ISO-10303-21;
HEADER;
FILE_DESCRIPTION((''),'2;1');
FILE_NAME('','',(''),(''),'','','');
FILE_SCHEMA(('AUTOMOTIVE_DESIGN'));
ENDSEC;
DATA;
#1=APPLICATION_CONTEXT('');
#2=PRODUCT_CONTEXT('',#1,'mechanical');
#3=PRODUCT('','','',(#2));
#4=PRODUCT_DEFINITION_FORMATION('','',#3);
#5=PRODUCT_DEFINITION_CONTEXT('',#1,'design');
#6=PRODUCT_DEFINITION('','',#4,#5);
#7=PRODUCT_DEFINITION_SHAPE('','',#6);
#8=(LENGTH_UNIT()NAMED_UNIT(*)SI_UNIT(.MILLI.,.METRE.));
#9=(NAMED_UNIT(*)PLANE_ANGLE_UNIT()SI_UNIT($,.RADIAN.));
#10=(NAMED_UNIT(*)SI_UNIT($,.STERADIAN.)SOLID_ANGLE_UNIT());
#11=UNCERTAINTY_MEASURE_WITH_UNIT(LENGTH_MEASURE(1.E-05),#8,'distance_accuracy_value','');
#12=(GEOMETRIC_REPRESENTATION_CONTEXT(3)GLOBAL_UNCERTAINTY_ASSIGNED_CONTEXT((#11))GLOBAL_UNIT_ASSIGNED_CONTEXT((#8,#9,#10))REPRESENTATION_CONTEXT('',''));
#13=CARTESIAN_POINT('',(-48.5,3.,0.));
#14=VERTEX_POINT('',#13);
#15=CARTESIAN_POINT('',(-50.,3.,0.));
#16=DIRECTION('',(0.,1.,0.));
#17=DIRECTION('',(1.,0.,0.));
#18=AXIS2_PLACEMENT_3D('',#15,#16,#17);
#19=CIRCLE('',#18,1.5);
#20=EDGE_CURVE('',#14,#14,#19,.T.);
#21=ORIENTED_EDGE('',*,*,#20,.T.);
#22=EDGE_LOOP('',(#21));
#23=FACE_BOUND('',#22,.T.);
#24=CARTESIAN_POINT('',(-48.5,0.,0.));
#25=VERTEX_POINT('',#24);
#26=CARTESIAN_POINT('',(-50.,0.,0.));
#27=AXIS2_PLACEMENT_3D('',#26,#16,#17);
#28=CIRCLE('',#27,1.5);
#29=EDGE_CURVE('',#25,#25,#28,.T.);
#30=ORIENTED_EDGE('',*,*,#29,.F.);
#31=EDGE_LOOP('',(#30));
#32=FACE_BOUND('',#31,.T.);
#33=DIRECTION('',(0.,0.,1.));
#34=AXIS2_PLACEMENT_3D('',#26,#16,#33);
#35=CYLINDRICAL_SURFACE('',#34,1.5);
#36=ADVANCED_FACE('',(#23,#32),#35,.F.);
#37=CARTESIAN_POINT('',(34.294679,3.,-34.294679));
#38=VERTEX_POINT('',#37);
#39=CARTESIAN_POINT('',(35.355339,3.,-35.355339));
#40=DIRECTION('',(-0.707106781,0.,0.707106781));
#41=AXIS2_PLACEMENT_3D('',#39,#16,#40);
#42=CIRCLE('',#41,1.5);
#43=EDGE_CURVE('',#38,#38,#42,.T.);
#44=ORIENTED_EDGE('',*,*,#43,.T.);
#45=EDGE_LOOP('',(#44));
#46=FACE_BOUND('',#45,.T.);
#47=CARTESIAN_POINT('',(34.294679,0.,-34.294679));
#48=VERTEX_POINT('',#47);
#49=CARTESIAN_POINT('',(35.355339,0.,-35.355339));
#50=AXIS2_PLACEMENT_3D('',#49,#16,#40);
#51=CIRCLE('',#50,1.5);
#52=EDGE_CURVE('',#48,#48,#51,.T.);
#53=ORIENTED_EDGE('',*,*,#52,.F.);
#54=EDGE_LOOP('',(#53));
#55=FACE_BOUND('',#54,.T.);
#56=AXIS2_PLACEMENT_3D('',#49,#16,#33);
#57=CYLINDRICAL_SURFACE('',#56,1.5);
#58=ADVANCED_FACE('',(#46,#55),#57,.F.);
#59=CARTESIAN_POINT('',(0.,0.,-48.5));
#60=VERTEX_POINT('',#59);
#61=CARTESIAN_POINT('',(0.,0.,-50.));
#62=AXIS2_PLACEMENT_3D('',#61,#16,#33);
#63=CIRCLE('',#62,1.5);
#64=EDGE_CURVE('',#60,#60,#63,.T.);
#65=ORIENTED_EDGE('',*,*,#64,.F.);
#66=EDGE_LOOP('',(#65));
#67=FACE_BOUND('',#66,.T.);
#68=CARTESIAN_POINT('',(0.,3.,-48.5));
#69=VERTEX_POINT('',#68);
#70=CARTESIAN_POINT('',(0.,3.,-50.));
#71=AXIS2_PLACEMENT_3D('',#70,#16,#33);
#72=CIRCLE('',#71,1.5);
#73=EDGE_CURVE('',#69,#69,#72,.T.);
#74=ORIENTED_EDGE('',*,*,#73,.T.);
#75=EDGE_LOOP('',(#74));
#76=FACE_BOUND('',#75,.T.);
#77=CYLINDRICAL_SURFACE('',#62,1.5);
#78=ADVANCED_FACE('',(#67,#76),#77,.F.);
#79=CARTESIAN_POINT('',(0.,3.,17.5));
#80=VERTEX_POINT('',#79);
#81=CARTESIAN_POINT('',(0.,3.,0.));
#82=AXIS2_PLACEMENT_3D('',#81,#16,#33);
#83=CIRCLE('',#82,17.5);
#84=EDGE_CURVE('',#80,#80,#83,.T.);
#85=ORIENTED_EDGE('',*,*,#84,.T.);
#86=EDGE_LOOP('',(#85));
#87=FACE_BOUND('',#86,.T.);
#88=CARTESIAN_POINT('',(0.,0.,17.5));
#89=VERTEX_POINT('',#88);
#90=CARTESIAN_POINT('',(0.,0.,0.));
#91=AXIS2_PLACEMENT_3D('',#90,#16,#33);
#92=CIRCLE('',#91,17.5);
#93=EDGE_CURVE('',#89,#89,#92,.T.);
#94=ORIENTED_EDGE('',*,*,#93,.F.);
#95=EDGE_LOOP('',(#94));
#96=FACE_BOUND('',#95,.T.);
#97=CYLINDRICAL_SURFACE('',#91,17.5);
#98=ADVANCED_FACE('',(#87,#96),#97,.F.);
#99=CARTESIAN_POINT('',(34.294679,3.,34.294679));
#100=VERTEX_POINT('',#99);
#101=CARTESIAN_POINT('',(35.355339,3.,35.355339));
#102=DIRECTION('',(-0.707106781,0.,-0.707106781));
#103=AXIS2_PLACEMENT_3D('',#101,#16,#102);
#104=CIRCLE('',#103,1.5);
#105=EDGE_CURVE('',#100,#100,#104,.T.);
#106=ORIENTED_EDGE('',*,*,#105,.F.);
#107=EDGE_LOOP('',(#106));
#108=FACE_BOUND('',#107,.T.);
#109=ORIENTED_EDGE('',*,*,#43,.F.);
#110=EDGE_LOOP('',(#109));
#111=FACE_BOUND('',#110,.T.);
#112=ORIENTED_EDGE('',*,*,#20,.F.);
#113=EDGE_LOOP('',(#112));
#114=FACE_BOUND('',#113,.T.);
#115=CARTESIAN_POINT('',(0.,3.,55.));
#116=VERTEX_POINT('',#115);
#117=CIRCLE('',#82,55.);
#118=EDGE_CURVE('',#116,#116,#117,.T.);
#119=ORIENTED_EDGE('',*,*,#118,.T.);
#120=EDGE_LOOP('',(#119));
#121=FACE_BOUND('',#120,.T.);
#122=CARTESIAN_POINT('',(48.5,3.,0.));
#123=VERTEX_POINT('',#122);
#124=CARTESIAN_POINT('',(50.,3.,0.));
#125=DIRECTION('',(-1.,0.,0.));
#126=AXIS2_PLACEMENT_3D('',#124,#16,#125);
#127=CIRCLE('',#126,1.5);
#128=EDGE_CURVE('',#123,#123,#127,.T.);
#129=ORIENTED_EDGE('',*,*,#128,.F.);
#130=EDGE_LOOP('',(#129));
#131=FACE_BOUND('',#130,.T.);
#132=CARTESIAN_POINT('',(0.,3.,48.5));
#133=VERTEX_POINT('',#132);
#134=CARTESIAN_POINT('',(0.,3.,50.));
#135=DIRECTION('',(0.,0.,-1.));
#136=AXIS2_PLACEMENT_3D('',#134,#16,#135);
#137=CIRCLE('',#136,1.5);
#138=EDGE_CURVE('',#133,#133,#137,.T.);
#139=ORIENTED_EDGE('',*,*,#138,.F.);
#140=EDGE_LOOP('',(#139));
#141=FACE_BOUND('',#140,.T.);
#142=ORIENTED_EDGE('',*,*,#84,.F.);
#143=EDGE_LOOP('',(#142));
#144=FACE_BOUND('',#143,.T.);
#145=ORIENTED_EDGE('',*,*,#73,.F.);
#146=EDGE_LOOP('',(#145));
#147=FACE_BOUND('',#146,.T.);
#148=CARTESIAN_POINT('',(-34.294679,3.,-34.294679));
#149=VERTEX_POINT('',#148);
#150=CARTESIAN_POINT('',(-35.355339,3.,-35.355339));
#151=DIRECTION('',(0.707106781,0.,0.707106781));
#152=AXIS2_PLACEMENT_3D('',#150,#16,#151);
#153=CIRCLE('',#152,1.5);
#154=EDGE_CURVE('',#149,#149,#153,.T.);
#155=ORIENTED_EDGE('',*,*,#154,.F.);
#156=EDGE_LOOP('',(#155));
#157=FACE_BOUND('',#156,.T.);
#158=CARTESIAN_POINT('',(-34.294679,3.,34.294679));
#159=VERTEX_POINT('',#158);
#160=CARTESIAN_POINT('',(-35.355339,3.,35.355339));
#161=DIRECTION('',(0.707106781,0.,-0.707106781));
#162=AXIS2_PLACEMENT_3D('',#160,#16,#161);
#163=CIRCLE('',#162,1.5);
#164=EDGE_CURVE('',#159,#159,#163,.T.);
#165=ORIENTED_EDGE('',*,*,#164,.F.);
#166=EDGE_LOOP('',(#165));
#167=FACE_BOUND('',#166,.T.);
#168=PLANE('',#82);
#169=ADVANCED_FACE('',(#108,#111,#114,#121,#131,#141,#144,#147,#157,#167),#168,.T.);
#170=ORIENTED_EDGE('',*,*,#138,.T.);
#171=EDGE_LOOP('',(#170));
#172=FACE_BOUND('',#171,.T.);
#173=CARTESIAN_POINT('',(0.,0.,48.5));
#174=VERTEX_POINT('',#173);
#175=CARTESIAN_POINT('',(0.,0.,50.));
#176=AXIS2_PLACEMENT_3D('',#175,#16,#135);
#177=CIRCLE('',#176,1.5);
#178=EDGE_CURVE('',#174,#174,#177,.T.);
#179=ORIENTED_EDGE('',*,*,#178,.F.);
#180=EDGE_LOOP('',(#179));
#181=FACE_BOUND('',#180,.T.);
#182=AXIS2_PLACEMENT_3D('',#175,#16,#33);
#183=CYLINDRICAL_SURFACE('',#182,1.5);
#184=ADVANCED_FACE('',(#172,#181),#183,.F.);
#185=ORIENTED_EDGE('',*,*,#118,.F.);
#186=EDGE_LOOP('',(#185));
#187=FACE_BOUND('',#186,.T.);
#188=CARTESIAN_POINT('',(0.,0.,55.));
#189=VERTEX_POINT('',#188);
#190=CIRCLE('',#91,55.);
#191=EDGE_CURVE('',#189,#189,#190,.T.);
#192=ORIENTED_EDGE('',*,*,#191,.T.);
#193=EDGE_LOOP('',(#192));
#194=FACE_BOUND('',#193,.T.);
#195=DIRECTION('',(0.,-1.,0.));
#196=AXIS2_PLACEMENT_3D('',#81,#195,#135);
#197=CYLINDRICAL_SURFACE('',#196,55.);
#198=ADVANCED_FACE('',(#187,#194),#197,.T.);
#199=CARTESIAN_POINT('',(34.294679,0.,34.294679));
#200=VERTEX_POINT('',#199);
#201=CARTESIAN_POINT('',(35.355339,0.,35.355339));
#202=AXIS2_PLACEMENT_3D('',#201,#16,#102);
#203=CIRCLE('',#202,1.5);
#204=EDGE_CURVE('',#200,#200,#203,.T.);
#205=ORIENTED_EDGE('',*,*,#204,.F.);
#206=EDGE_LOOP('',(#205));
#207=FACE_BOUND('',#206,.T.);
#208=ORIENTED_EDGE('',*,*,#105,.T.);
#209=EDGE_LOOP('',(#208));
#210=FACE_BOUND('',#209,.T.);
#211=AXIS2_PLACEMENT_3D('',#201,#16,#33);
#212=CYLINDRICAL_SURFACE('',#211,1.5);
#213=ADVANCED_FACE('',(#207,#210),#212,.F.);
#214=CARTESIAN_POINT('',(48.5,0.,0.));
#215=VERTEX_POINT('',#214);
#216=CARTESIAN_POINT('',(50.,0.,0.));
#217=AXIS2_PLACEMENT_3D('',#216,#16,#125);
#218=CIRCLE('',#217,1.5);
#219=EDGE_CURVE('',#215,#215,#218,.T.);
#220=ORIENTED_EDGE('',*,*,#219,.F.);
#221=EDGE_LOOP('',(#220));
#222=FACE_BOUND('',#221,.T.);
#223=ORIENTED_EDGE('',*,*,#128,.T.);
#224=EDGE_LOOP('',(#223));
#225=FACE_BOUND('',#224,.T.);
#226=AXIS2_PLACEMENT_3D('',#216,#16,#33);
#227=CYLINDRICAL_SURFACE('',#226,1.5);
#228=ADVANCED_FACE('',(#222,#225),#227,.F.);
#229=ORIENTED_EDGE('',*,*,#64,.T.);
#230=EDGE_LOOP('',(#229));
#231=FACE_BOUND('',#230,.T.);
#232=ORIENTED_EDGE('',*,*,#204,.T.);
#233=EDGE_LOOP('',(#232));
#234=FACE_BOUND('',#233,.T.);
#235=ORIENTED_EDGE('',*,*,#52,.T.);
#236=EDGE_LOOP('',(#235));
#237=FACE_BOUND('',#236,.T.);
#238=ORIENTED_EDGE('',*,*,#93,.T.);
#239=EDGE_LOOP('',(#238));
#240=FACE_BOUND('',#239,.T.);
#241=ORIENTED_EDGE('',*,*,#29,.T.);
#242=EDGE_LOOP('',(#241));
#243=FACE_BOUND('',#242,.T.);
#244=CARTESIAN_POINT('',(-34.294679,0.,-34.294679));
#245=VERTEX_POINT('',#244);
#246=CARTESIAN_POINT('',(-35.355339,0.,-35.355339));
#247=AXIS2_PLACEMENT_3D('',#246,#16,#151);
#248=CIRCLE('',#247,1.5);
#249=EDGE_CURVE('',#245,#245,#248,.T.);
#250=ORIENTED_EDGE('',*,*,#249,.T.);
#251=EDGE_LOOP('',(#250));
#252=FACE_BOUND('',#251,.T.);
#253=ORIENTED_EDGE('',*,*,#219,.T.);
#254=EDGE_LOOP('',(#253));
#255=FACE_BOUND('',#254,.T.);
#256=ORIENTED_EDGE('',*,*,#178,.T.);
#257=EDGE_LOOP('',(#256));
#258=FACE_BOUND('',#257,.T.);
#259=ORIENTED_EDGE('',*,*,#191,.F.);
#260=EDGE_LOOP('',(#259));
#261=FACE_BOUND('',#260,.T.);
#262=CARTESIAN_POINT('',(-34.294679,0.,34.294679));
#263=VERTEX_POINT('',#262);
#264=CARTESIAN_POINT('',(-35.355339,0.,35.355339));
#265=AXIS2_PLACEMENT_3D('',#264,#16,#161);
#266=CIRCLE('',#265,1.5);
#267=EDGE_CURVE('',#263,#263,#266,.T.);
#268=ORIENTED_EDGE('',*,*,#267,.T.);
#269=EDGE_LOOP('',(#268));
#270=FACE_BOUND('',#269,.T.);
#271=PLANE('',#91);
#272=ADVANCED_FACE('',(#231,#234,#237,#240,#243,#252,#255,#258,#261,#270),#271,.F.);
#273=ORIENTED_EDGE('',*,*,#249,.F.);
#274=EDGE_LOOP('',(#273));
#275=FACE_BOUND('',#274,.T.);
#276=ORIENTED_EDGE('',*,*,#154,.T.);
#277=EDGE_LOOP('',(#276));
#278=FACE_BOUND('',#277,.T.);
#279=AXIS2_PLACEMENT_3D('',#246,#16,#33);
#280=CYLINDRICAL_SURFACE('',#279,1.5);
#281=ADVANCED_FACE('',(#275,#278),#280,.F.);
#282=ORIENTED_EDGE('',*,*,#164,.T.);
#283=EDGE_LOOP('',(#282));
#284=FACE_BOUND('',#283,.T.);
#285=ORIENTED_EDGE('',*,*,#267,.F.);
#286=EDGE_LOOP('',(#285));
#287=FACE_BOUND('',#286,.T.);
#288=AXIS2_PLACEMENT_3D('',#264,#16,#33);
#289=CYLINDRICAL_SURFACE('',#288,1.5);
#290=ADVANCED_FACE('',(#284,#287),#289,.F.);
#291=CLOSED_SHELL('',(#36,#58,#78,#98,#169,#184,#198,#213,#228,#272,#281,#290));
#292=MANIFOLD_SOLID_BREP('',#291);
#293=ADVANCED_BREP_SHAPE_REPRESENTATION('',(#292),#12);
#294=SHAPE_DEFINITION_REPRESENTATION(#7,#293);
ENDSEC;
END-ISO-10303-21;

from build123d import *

# Parameters (mm, degrees)
SKETCH1_R           = 55
BOSS_EXTRUDE1_DEPTH = 3
SKETCH2_R           = 17.5
CUT_EXTRUDE1_DEPTH  = 3
SKETCH4_R           = 1.5
CUT_EXTRUDE2_DEPTH  = 3
CIRPATTERN1_COUNT   = 8


with BuildPart() as part:
    # Sketch1 → Boss-Extrude1 (new body)
    with BuildSketch(Plane(origin=(0, 0, 0), x_dir=(1, 0, 0), z_dir=(0, 1, 0))):
        with Locations(Location((0, 0, 0), (0, 0, 270))):
            Circle(SKETCH1_R)
    extrude(amount=BOSS_EXTRUDE1_DEPTH)

    # Sketch2 → Cut-Extrude1 (cut)
    with BuildSketch(Plane(origin=(0, 3, 0), x_dir=(1, 0, 0), z_dir=(0, 1, 0))):
        with Locations(Location((0, 0, 0), (0, 0, 270))):
            Circle(SKETCH2_R)
    extrude(amount=-CUT_EXTRUDE1_DEPTH, mode=Mode.SUBTRACT)

    # Sketch4 → Cut-Extrude2 (cut)
    with BuildSketch(Plane(origin=(0, 3, 0), x_dir=(1, 0, 0), z_dir=(0, 1, 0))):
        with Locations(Location((0, 50, 0), (0, 0, 270))):
            Circle(SKETCH4_R)
    cut_extrude2 = extrude(amount=-CUT_EXTRUDE2_DEPTH, mode=Mode.SUBTRACT)

    # CirPattern1: Cut-Extrude2 ×8 about axis
    cirpattern1_axis = Axis((0, 0, 0), (0, 1, 0))
    for i in range(1, CIRPATTERN1_COUNT):
        add(cut_extrude2.rotate(cirpattern1_axis, i * 360 / CIRPATTERN1_COUNT), mode=Mode.SUBTRACT)


solid = part.part
